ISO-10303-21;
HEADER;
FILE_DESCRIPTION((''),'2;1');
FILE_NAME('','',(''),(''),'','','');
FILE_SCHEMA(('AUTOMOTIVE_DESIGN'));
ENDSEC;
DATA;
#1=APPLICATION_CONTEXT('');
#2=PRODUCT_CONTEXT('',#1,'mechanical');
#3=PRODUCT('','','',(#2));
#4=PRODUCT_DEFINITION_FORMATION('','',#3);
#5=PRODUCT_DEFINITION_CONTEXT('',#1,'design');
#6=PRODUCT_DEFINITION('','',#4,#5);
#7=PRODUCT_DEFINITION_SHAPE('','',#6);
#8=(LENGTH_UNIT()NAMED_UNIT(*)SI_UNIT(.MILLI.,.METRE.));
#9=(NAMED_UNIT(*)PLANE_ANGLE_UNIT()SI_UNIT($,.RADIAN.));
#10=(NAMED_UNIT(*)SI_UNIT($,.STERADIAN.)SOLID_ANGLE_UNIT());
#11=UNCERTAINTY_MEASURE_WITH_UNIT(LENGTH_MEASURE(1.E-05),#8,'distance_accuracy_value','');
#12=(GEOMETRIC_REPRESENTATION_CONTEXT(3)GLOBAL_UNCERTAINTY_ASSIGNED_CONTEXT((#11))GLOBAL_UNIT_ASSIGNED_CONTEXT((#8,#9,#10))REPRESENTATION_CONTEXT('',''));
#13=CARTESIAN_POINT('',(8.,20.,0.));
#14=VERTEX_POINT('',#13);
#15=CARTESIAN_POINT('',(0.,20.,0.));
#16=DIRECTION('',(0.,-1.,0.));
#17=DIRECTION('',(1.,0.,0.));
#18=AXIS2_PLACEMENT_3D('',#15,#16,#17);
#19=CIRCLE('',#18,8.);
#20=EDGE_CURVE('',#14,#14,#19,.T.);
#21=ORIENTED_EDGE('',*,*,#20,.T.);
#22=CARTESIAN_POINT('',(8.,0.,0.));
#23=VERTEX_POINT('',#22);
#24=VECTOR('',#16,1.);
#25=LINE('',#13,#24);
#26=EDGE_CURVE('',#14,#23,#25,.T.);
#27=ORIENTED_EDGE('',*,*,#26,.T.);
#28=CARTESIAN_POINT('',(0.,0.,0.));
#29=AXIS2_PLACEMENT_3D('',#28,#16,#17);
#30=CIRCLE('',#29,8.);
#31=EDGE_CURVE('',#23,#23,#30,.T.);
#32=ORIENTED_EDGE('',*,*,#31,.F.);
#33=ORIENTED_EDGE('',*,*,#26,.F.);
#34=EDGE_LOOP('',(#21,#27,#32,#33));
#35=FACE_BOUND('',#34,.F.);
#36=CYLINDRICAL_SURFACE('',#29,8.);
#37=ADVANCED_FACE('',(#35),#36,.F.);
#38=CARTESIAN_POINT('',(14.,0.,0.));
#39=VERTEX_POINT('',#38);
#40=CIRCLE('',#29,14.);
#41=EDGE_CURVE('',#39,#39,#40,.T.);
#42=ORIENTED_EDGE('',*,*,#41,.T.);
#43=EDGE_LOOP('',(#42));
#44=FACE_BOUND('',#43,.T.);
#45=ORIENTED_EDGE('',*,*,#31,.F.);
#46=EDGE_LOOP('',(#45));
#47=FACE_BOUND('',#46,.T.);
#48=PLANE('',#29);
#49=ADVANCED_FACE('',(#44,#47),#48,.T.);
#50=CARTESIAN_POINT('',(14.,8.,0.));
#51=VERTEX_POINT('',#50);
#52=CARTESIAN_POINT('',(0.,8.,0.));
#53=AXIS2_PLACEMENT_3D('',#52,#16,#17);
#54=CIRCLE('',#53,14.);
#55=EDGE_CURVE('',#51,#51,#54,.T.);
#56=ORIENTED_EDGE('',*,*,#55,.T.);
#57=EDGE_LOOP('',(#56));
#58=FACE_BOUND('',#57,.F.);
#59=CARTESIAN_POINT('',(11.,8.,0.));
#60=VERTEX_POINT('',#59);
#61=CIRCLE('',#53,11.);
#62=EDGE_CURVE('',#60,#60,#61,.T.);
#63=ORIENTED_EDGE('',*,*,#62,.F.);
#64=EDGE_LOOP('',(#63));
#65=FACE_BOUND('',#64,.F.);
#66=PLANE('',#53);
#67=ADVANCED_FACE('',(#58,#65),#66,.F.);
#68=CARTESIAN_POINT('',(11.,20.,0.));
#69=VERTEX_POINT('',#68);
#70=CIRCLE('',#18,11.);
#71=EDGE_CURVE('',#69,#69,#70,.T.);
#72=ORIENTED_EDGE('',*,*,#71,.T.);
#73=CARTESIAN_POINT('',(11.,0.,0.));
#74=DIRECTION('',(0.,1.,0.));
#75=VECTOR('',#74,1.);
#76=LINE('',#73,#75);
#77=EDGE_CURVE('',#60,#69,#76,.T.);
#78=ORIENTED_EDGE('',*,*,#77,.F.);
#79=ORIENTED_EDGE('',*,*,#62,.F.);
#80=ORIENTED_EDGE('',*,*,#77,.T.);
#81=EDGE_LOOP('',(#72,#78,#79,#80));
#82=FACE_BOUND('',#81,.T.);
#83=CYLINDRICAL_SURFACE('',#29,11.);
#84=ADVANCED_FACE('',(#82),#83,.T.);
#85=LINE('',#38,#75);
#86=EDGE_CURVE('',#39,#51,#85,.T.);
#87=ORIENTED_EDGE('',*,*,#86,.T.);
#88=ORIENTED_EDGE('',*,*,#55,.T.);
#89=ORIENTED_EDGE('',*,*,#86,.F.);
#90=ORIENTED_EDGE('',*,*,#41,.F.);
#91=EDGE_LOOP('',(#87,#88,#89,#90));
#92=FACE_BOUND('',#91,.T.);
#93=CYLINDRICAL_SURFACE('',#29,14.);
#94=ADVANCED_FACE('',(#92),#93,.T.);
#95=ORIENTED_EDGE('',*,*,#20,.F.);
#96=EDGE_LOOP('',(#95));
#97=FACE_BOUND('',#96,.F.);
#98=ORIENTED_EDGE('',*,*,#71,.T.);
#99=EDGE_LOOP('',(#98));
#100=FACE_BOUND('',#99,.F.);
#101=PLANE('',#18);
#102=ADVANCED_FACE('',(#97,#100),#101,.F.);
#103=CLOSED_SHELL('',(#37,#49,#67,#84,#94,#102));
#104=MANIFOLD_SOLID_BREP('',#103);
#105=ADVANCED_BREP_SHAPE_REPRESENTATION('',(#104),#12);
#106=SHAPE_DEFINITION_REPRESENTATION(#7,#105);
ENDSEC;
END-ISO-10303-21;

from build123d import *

# Parameters (mm, degrees)
F0_R     = 14
F0_R_2   = 11
F0_R_3   = 8
F1_DEPTH = 8
F2_DEPTH = 20


with BuildPart() as f1:
    # F0 (on Front) → F1 (new body)
    with BuildSketch(Plane.XZ):
        Circle(F0_R)
        Circle(F0_R_2, mode=Mode.SUBTRACT)
        Circle(F0_R_2)
        Circle(F0_R_3, mode=Mode.SUBTRACT)
    extrude(amount=-F1_DEPTH)

    # F0 (on Front) → F2 (join)
    with BuildSketch(Plane.XZ):
        Circle(F0_R_2)
        Circle(F0_R_3, mode=Mode.SUBTRACT)
    extrude(amount=-F2_DEPTH)


solid = f1.part
